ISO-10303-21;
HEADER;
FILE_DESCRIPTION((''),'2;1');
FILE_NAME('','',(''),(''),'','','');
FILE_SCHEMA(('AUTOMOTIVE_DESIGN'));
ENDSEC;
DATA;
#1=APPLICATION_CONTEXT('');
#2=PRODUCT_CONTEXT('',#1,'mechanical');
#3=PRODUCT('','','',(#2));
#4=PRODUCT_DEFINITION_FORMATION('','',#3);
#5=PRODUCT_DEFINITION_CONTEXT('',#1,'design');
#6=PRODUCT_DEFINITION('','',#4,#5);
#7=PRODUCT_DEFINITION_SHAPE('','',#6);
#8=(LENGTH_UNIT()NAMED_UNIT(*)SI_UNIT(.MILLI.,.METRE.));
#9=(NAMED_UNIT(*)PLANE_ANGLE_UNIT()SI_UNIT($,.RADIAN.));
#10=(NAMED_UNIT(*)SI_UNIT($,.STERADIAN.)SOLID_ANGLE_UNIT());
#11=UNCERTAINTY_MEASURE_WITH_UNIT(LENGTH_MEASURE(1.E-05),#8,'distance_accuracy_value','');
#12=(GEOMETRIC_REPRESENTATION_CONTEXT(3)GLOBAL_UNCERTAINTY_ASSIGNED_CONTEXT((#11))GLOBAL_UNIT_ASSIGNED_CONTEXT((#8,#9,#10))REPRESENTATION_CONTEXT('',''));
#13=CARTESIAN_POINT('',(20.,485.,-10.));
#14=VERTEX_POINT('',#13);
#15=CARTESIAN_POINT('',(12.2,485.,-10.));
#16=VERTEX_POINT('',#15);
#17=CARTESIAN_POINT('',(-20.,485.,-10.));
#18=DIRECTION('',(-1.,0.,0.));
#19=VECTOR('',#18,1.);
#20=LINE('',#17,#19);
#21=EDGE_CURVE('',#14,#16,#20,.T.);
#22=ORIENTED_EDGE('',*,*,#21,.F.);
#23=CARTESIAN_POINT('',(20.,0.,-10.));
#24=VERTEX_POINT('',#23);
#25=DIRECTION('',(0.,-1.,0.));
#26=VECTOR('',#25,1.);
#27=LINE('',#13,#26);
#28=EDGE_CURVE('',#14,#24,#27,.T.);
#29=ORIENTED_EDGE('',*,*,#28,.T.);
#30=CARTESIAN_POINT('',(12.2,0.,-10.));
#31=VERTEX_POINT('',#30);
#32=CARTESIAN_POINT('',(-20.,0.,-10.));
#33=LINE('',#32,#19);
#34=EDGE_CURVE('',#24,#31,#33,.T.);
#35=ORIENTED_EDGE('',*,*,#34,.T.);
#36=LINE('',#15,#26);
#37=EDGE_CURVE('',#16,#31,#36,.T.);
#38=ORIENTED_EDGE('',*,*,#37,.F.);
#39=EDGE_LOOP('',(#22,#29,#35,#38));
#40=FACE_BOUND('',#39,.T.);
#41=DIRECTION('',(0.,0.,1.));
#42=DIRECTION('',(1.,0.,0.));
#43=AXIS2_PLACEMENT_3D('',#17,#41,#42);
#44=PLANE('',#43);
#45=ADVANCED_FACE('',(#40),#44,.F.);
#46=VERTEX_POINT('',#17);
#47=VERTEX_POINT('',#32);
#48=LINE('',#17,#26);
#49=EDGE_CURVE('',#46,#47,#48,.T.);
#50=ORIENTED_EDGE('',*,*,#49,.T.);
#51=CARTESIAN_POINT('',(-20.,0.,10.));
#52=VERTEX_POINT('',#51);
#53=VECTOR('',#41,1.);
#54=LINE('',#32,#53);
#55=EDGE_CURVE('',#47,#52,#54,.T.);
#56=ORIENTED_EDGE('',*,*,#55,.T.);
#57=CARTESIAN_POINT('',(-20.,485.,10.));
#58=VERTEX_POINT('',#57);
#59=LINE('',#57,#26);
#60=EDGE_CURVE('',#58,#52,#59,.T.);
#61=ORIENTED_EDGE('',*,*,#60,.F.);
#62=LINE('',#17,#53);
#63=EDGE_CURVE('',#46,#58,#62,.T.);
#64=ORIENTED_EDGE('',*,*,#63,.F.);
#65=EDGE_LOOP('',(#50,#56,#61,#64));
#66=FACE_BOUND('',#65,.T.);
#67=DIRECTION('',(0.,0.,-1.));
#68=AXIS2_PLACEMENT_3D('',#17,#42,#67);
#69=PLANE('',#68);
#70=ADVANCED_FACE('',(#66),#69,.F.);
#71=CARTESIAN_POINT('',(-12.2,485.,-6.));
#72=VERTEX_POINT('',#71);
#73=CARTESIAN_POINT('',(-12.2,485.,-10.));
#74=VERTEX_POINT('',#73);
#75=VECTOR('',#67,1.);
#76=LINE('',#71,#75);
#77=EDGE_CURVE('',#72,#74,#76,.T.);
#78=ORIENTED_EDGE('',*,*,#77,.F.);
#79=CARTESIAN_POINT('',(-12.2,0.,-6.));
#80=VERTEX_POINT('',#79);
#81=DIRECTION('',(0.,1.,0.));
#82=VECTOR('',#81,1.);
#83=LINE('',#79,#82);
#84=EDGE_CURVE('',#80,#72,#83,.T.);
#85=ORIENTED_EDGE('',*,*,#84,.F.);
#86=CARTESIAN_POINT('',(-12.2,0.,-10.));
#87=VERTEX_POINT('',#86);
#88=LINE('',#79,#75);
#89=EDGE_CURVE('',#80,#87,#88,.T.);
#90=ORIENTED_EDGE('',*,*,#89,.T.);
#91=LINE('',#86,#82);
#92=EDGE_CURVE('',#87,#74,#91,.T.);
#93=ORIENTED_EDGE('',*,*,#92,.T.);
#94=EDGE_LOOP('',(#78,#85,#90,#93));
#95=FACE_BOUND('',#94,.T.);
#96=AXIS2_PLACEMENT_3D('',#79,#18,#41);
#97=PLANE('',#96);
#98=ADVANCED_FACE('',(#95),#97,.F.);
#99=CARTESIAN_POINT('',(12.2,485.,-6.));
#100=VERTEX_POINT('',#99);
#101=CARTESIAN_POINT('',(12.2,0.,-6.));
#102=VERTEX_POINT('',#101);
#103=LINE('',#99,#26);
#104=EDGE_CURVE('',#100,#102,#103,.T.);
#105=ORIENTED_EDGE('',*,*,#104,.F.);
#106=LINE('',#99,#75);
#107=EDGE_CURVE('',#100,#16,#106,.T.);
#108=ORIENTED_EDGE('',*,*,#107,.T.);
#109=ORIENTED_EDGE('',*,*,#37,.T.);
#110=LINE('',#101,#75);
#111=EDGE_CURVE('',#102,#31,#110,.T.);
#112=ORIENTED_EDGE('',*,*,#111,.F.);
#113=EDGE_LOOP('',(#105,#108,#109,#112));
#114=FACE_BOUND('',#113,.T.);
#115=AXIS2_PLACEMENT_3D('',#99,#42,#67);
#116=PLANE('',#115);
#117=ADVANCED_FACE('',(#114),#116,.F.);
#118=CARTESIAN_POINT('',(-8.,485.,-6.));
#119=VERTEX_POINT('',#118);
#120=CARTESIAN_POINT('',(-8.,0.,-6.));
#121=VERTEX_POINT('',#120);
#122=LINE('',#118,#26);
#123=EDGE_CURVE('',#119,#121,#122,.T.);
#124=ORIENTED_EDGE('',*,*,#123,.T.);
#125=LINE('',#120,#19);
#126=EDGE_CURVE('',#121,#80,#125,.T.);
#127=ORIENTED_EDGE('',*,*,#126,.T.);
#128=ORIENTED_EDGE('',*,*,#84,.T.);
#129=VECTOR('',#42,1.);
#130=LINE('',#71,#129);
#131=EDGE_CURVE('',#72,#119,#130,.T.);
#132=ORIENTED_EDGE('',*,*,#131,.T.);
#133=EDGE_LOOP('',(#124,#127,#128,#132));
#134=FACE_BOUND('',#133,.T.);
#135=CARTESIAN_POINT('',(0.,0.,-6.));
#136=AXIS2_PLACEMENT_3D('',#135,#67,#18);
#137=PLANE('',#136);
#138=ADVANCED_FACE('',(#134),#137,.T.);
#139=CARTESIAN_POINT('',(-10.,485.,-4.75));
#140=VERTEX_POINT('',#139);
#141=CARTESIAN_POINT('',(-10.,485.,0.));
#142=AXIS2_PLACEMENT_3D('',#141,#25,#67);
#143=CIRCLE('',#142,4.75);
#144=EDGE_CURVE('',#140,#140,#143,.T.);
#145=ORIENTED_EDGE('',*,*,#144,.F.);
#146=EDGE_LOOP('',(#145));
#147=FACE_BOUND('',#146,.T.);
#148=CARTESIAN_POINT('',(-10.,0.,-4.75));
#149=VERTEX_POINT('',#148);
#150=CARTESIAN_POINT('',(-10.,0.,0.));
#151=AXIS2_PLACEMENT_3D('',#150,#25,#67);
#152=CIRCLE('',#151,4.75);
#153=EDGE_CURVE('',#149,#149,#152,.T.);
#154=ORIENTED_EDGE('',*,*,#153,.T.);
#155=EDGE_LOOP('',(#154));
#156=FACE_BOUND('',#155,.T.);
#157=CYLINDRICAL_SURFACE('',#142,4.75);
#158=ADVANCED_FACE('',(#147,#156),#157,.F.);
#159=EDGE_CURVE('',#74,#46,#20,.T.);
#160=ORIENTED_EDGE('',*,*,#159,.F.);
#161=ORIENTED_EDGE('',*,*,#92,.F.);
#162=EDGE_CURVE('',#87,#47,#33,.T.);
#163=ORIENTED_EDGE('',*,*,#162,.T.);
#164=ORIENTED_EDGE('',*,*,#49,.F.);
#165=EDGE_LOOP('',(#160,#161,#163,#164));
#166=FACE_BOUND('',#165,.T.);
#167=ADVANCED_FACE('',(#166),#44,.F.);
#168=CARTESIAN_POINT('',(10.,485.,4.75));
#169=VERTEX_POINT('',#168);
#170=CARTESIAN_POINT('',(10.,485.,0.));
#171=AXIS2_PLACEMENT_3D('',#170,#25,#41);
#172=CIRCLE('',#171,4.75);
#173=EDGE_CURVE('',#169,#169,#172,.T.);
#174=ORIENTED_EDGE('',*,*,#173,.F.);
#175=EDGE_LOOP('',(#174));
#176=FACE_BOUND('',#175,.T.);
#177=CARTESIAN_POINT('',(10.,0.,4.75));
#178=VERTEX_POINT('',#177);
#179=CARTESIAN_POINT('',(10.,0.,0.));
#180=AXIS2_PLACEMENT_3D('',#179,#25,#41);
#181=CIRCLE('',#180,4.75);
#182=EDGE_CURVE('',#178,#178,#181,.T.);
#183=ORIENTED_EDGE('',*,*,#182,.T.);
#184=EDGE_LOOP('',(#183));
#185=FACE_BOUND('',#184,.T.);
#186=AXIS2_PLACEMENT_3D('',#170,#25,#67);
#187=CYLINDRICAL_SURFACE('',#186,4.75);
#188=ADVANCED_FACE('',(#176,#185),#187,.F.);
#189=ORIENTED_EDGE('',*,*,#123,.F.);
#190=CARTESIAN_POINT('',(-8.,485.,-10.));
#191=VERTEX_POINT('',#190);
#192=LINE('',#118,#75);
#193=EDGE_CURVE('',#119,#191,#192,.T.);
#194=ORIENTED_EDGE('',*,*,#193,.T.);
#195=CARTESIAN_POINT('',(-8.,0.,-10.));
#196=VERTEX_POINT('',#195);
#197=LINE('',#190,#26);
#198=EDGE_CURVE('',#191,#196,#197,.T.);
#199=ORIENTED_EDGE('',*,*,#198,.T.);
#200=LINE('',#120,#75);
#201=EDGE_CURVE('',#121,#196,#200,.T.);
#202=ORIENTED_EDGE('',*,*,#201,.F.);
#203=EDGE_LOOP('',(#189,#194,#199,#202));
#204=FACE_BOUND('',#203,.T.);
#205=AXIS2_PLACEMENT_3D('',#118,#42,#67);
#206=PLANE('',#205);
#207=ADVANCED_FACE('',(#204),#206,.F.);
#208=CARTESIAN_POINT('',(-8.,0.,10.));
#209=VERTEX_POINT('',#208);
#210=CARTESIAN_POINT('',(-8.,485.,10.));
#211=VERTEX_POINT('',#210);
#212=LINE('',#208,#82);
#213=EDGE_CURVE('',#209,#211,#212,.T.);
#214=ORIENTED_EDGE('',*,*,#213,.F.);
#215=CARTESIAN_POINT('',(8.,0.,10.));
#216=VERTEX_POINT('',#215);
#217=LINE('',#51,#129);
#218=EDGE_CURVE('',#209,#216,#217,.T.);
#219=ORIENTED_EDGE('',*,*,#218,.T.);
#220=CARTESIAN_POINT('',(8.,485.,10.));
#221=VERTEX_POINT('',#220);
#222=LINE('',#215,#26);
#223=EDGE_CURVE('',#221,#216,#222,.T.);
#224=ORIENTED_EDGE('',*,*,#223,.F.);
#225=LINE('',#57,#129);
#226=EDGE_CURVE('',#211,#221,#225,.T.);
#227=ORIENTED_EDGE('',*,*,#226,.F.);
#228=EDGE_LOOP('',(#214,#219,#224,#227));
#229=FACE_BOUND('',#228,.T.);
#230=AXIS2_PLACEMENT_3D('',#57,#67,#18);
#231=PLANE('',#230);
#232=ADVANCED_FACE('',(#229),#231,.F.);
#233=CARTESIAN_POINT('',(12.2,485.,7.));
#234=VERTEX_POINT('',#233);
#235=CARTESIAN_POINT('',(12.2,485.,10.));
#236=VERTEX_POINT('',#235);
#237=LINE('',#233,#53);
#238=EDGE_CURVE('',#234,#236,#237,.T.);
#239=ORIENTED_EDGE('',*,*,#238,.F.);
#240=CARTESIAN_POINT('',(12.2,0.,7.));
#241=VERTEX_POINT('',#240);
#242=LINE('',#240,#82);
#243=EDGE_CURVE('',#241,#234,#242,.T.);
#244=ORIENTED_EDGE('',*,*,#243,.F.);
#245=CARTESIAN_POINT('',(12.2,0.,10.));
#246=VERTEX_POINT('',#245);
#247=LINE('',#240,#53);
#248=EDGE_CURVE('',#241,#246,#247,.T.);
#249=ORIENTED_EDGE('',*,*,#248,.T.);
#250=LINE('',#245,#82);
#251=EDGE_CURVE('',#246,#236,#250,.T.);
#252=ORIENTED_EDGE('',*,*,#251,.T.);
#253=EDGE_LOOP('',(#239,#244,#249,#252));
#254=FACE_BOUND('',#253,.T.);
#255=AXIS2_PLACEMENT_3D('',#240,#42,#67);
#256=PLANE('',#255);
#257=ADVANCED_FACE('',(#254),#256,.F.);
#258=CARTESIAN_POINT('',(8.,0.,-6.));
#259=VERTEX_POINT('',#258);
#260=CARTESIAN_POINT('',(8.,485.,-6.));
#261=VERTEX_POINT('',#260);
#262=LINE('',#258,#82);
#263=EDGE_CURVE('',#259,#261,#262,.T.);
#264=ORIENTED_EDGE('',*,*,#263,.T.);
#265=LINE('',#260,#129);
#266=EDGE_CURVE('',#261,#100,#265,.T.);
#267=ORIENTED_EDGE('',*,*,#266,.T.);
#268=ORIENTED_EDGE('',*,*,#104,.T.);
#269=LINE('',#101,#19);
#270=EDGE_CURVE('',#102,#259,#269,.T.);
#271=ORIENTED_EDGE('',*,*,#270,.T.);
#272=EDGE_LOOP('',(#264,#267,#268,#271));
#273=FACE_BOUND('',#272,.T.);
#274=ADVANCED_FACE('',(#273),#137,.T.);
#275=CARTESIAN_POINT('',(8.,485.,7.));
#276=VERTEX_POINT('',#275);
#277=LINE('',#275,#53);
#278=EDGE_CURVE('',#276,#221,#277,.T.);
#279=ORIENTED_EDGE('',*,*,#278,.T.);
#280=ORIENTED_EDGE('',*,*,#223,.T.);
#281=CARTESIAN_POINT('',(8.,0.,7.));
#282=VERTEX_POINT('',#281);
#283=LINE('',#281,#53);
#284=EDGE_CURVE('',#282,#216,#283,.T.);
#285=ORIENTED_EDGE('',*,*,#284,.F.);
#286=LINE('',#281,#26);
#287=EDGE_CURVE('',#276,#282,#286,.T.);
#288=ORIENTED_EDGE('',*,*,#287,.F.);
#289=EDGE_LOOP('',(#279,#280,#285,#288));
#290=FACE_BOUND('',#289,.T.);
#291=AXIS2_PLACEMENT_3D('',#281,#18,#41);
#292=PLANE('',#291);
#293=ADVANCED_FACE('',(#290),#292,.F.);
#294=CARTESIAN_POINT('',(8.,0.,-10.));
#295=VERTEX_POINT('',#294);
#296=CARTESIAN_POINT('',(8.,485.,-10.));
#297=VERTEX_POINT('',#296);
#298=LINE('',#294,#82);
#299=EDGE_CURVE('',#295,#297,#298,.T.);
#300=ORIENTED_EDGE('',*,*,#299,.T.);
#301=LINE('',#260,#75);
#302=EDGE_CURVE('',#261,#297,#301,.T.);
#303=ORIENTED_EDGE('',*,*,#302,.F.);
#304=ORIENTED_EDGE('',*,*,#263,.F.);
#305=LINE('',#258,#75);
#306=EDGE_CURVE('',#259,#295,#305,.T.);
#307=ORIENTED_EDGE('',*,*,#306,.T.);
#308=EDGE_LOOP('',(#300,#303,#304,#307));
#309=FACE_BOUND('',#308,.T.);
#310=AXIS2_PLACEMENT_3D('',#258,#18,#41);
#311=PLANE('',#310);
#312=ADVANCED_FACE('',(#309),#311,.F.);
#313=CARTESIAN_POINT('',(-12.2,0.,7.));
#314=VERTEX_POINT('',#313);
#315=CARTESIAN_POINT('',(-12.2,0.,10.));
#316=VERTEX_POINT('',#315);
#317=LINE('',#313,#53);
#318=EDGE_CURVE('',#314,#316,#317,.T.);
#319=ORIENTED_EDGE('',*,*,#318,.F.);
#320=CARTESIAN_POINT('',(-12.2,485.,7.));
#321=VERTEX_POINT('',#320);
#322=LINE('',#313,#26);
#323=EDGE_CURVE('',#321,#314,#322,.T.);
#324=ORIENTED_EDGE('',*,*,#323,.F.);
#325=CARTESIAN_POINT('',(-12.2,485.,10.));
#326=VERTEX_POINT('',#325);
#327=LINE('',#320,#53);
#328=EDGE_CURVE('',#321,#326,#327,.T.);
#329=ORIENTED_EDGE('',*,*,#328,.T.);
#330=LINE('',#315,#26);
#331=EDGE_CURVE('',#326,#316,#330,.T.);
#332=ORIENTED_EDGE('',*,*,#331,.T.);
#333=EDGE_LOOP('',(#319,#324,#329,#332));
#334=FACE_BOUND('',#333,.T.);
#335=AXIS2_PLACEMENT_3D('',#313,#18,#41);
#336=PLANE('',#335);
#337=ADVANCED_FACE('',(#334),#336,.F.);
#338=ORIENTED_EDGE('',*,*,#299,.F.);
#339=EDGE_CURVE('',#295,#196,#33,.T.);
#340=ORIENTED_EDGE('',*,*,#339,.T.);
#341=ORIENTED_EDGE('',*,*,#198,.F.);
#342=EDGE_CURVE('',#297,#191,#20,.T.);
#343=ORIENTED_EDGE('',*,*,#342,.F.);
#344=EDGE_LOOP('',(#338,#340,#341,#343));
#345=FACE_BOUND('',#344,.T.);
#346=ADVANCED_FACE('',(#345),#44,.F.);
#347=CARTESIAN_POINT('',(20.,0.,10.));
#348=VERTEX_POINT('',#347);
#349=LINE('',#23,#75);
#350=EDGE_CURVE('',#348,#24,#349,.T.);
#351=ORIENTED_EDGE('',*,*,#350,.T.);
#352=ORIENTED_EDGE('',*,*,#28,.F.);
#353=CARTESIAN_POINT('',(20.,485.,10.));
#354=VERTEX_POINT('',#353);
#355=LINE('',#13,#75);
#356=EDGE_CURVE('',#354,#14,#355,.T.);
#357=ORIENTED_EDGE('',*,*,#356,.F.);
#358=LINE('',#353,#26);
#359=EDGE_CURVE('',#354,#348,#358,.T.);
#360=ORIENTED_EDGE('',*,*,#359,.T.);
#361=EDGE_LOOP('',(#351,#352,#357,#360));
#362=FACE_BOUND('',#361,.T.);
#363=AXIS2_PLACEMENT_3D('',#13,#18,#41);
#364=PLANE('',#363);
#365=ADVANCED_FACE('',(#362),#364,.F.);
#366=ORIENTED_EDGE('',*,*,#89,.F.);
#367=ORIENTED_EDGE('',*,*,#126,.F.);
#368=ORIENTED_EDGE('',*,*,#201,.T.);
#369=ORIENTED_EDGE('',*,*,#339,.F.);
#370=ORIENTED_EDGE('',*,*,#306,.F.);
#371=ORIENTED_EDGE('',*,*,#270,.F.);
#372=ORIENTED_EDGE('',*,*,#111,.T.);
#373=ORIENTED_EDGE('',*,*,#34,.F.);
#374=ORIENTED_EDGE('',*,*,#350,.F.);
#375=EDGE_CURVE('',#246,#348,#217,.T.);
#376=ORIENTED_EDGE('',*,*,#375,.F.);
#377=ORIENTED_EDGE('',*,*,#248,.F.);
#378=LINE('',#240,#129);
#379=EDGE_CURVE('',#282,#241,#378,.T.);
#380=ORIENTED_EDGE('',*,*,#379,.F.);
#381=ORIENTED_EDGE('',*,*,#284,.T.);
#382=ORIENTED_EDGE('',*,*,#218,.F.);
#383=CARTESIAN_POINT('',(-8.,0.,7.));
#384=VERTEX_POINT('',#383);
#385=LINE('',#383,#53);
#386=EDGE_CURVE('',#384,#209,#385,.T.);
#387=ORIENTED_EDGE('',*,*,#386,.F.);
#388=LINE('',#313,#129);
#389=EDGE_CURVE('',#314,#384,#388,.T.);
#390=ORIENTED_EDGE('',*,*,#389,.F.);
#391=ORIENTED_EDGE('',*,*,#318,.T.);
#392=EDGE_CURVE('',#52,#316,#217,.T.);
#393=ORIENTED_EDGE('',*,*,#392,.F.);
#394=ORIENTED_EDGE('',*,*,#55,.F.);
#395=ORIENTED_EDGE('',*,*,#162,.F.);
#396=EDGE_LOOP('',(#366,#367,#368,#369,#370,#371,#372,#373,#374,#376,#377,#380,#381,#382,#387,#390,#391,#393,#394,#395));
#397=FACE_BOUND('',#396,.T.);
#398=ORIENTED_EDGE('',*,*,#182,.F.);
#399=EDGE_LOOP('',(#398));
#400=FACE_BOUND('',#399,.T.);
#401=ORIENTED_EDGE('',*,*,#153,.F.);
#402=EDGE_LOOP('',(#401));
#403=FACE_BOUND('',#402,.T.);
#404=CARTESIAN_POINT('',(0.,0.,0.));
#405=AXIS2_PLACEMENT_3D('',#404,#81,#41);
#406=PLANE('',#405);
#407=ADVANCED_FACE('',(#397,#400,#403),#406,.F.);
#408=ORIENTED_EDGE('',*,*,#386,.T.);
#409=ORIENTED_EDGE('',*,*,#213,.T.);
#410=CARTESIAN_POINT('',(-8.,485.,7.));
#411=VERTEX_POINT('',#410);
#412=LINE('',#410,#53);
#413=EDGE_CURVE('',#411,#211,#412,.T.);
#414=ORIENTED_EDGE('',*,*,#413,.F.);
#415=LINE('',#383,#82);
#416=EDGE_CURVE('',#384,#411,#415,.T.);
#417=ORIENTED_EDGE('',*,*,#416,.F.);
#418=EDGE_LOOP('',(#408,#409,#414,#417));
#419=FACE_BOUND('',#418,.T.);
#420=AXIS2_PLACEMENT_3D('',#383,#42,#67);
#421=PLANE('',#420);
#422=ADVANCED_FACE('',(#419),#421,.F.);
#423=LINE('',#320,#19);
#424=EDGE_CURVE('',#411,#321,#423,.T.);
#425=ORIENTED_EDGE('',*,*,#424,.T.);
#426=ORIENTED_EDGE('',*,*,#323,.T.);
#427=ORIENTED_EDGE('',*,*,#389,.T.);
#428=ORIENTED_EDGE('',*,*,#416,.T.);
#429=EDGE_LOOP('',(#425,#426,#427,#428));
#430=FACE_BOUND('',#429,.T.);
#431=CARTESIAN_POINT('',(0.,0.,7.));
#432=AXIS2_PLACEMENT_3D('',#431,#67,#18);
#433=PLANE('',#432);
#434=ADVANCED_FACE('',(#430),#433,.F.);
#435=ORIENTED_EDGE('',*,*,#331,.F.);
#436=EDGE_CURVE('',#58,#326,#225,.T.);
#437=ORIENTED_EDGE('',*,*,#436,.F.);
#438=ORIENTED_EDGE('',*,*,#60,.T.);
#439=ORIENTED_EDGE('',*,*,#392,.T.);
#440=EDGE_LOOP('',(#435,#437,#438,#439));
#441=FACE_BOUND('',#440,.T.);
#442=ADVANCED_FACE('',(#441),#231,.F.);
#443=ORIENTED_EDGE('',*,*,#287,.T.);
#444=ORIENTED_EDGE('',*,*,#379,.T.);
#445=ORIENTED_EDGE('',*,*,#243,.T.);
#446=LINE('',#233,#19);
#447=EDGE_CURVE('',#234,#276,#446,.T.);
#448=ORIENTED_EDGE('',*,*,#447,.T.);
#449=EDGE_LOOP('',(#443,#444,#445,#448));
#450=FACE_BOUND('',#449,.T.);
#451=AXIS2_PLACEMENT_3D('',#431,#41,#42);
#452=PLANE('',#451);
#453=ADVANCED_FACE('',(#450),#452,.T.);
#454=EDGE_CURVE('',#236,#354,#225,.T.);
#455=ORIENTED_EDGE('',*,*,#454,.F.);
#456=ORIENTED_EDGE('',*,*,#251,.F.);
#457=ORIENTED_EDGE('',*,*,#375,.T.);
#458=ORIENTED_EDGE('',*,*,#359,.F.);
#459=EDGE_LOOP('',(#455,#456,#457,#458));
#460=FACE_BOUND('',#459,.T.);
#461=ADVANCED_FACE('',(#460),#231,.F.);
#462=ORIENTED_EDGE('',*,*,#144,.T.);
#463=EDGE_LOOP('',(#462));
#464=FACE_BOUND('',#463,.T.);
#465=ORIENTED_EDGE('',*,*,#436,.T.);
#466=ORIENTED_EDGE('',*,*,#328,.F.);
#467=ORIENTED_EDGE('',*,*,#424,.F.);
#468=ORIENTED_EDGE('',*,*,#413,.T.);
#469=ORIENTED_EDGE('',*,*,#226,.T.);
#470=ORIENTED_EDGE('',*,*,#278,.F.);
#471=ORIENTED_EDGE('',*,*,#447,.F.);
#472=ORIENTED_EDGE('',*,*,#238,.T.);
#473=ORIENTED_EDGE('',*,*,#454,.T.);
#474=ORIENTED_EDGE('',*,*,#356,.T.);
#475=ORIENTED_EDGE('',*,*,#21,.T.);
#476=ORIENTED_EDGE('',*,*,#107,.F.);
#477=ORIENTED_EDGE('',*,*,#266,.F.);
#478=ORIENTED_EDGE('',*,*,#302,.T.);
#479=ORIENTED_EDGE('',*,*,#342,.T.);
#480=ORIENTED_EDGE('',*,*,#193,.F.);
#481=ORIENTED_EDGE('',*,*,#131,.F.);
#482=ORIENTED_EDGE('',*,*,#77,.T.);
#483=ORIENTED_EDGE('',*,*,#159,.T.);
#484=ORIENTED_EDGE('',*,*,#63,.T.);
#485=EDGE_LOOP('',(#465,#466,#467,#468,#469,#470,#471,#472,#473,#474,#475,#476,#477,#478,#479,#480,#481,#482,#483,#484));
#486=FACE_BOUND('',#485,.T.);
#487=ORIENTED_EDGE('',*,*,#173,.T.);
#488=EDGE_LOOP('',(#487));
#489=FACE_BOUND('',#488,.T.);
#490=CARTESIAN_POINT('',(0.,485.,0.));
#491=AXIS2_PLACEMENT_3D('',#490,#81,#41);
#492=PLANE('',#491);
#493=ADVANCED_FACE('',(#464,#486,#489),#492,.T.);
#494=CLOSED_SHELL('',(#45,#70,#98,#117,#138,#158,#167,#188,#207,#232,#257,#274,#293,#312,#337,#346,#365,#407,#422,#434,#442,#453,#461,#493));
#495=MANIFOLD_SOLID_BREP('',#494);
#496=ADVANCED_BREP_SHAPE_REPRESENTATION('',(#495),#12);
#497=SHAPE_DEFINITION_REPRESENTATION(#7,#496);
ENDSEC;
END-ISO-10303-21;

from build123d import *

# Parameters (mm, degrees)
SKETCH_2_W          = 40
SKETCH_2_H          = 20
EXTRUDE_1_DEPTH     = 485
SKETCH_3_R          = 4.75
CUT_EXTRUDE_1_DEPTH = 486
SKETCH_4_W          = 4.2
SKETCH_4_H          = 485
CUT_EXTRUDE_2_DEPTH = 3
SKETCH_5_W          = 4.2
SKETCH_5_H          = 485
CUT_EXTRUDE_3_DEPTH = 4


with BuildPart() as part:
    # 草图2 → 凸台-拉伸1 (new body)
    with BuildSketch(Plane(origin=(0, 0, 0), x_dir=(1, 0, 0), z_dir=(0, 1, 0))):
        Rectangle(SKETCH_2_W, SKETCH_2_H)
    extrude(amount=EXTRUDE_1_DEPTH)

    # 草图3 → 切除-拉伸1 (cut, through all)
    with BuildSketch(Plane.XZ):
        with Locations((-10, 0)):
            Circle(SKETCH_3_R)
        with Locations((10, 0)):
            Circle(SKETCH_3_R)
    extrude(amount=-CUT_EXTRUDE_1_DEPTH, mode=Mode.SUBTRACT)

    # 草图4 → 切除-拉伸2 (cut)
    with BuildSketch(Plane.XY.offset(10)):
        with Locations((-10.1, 242.5)):
            Rectangle(SKETCH_4_W, SKETCH_4_H)
        with Locations((10.1, 242.5)):
            Rectangle(SKETCH_4_W, SKETCH_4_H)
    extrude(amount=-CUT_EXTRUDE_2_DEPTH, mode=Mode.SUBTRACT)

    # 草图5 → 切除-拉伸3 (cut)
    with BuildSketch(Plane(origin=(0, 0, -10), x_dir=(-1, 0, 0), z_dir=(0, 0, -1))):
        with Locations((-10.1, 242.5)):
            Rectangle(SKETCH_5_W, SKETCH_5_H)
        with Locations((10.1, 242.5)):
            Rectangle(SKETCH_5_W, SKETCH_5_H)
    extrude(amount=-CUT_EXTRUDE_3_DEPTH, mode=Mode.SUBTRACT)


solid = part.part
